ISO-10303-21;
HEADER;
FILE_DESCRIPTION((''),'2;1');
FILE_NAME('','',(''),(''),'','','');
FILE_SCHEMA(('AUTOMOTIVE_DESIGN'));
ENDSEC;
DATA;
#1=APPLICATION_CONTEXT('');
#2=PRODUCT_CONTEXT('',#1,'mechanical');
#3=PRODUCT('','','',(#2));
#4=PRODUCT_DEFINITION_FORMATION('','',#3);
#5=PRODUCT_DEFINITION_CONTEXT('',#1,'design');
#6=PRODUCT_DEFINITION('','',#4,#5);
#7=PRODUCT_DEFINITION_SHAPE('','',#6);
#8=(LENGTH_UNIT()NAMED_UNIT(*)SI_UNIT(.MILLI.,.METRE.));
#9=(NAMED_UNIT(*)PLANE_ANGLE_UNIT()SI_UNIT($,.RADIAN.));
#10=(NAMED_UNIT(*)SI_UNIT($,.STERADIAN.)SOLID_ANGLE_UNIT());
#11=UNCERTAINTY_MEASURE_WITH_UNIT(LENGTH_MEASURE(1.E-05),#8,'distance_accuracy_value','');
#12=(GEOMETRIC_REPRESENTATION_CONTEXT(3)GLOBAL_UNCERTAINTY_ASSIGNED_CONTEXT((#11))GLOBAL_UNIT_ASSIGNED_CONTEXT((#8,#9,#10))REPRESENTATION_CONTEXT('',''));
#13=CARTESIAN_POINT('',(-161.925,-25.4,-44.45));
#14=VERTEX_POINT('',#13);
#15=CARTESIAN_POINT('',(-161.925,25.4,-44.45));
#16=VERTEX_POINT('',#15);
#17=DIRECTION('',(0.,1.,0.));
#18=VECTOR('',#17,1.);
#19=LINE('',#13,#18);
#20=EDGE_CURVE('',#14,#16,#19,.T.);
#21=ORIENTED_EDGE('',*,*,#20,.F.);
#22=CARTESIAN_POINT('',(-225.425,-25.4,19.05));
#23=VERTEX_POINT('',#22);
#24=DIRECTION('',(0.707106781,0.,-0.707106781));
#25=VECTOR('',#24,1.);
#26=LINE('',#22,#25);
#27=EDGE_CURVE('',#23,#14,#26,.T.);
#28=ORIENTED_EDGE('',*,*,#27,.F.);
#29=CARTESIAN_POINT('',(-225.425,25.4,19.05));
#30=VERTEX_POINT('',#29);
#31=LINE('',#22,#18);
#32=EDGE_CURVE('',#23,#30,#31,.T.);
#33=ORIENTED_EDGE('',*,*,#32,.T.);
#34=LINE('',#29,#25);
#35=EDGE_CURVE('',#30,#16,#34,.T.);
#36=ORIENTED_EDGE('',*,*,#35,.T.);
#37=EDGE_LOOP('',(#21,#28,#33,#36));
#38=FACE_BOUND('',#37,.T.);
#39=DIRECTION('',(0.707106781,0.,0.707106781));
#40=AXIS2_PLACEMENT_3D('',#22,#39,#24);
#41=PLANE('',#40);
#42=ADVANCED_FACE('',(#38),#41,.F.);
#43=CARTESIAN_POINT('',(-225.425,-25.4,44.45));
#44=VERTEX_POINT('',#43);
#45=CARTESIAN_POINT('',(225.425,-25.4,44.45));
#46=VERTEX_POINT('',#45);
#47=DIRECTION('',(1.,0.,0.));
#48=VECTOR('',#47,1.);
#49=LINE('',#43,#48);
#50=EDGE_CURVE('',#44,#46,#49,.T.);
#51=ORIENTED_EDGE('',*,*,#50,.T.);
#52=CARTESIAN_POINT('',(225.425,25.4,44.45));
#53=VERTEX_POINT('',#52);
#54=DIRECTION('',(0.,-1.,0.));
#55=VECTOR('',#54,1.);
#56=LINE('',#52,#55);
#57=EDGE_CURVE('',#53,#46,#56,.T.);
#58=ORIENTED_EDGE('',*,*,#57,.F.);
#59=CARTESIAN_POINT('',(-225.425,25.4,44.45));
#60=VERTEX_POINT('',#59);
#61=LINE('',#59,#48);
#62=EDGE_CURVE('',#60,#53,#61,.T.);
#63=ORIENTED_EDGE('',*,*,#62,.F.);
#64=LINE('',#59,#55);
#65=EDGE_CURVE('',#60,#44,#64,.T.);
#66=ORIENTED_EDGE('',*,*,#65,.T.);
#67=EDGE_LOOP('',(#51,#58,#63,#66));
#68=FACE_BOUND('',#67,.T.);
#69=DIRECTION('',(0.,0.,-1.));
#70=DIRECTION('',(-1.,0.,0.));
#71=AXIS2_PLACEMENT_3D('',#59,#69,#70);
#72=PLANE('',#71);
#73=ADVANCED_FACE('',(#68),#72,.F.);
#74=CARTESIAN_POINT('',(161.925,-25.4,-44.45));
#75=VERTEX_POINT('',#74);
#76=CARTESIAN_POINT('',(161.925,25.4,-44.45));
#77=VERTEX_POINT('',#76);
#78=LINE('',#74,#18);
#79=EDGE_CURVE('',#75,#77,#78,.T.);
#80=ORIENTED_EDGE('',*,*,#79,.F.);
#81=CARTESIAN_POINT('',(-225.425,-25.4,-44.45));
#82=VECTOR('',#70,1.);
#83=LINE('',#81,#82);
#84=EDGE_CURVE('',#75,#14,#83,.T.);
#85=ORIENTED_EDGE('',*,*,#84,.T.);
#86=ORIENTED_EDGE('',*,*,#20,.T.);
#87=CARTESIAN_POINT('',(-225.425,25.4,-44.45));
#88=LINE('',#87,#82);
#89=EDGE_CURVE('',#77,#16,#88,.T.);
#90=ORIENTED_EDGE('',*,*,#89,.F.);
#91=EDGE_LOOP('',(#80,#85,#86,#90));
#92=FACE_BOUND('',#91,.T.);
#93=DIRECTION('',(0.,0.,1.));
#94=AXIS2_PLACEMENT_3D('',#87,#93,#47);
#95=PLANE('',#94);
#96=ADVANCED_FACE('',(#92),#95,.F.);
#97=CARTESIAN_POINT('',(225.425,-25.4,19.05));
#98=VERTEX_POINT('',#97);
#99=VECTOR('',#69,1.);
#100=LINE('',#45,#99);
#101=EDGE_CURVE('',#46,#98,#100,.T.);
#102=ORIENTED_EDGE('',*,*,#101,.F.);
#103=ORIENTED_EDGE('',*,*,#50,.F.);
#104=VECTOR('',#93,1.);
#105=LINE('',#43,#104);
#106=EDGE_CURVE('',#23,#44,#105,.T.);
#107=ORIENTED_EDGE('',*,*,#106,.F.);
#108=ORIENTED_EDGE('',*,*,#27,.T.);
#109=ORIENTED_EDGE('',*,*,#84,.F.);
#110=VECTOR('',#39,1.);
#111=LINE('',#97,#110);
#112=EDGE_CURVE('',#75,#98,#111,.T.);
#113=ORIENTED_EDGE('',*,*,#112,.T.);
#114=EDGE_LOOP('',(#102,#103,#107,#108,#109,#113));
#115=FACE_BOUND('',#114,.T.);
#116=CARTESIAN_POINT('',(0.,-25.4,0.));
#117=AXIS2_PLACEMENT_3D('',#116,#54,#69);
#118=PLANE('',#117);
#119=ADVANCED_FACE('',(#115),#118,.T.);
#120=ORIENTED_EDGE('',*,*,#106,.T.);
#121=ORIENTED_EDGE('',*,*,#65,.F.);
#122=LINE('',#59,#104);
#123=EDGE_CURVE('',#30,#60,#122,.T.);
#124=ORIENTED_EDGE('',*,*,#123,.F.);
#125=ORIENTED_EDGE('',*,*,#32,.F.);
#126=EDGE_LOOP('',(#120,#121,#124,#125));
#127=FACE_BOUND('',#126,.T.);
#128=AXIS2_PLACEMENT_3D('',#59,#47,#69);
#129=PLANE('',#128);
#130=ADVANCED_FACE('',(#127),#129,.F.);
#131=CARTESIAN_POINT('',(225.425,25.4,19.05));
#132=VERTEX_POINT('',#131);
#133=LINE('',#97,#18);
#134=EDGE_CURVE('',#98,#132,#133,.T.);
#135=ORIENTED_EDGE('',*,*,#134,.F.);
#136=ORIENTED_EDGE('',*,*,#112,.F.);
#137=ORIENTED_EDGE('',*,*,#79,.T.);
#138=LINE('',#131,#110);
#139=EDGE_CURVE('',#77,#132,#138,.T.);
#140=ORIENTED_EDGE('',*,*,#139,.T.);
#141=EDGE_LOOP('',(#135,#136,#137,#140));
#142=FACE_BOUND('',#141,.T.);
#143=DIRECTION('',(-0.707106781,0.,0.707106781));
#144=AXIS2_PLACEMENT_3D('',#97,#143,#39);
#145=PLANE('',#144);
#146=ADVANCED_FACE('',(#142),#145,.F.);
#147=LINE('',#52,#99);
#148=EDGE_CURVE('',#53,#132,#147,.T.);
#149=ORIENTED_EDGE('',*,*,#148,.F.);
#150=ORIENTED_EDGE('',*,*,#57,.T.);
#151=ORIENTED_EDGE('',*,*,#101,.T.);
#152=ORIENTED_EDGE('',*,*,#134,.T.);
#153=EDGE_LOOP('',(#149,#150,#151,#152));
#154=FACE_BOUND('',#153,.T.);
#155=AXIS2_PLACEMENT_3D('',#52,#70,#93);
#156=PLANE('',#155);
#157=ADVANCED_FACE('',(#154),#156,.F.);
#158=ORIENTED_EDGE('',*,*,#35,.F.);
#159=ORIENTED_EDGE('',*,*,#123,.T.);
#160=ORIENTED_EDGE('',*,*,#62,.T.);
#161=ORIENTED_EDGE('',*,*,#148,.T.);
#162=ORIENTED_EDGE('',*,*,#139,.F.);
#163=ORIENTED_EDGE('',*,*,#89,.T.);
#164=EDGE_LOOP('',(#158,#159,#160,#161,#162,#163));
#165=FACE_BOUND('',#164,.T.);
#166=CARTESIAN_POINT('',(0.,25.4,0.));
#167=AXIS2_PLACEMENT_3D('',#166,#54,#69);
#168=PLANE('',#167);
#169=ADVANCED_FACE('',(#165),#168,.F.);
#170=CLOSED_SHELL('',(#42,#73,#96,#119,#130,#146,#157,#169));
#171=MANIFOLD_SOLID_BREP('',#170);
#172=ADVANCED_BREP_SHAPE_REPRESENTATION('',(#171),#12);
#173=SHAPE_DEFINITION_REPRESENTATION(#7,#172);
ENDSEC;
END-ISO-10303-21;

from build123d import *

# Parameters (mm, degrees)
SKETCH1_W           = 450.85
SKETCH1_H           = 88.9
BOSS_EXTRUDE1_DEPTH = 25.4
CUT_EXTRUDE1_DEPTH  = 51.8


with BuildPart() as part:
    # Sketch1 → Boss-Extrude1 (new body, symmetric)
    with BuildSketch(Plane(origin=(0, 0, 0), x_dir=(1, 0, 0), z_dir=(0, 1, 0))):
        Rectangle(SKETCH1_W, SKETCH1_H)
    extrude(amount=BOSS_EXTRUDE1_DEPTH, both=True)

    # Sketch2 → Cut-Extrude1 (cut, through all)
    with BuildSketch(Plane(origin=(0, 25.4, 0), x_dir=(1, 0, 0), z_dir=(0, 1, 0))):
        Polygon((-225.425, 44.45), (-225.425, -19.05), (-161.925, 44.45), align=None)
        Polygon((225.425, -19.05), (161.925, 44.45), (225.425, 44.45), align=None)
    extrude(amount=-CUT_EXTRUDE1_DEPTH, mode=Mode.SUBTRACT)


solid = part.part
